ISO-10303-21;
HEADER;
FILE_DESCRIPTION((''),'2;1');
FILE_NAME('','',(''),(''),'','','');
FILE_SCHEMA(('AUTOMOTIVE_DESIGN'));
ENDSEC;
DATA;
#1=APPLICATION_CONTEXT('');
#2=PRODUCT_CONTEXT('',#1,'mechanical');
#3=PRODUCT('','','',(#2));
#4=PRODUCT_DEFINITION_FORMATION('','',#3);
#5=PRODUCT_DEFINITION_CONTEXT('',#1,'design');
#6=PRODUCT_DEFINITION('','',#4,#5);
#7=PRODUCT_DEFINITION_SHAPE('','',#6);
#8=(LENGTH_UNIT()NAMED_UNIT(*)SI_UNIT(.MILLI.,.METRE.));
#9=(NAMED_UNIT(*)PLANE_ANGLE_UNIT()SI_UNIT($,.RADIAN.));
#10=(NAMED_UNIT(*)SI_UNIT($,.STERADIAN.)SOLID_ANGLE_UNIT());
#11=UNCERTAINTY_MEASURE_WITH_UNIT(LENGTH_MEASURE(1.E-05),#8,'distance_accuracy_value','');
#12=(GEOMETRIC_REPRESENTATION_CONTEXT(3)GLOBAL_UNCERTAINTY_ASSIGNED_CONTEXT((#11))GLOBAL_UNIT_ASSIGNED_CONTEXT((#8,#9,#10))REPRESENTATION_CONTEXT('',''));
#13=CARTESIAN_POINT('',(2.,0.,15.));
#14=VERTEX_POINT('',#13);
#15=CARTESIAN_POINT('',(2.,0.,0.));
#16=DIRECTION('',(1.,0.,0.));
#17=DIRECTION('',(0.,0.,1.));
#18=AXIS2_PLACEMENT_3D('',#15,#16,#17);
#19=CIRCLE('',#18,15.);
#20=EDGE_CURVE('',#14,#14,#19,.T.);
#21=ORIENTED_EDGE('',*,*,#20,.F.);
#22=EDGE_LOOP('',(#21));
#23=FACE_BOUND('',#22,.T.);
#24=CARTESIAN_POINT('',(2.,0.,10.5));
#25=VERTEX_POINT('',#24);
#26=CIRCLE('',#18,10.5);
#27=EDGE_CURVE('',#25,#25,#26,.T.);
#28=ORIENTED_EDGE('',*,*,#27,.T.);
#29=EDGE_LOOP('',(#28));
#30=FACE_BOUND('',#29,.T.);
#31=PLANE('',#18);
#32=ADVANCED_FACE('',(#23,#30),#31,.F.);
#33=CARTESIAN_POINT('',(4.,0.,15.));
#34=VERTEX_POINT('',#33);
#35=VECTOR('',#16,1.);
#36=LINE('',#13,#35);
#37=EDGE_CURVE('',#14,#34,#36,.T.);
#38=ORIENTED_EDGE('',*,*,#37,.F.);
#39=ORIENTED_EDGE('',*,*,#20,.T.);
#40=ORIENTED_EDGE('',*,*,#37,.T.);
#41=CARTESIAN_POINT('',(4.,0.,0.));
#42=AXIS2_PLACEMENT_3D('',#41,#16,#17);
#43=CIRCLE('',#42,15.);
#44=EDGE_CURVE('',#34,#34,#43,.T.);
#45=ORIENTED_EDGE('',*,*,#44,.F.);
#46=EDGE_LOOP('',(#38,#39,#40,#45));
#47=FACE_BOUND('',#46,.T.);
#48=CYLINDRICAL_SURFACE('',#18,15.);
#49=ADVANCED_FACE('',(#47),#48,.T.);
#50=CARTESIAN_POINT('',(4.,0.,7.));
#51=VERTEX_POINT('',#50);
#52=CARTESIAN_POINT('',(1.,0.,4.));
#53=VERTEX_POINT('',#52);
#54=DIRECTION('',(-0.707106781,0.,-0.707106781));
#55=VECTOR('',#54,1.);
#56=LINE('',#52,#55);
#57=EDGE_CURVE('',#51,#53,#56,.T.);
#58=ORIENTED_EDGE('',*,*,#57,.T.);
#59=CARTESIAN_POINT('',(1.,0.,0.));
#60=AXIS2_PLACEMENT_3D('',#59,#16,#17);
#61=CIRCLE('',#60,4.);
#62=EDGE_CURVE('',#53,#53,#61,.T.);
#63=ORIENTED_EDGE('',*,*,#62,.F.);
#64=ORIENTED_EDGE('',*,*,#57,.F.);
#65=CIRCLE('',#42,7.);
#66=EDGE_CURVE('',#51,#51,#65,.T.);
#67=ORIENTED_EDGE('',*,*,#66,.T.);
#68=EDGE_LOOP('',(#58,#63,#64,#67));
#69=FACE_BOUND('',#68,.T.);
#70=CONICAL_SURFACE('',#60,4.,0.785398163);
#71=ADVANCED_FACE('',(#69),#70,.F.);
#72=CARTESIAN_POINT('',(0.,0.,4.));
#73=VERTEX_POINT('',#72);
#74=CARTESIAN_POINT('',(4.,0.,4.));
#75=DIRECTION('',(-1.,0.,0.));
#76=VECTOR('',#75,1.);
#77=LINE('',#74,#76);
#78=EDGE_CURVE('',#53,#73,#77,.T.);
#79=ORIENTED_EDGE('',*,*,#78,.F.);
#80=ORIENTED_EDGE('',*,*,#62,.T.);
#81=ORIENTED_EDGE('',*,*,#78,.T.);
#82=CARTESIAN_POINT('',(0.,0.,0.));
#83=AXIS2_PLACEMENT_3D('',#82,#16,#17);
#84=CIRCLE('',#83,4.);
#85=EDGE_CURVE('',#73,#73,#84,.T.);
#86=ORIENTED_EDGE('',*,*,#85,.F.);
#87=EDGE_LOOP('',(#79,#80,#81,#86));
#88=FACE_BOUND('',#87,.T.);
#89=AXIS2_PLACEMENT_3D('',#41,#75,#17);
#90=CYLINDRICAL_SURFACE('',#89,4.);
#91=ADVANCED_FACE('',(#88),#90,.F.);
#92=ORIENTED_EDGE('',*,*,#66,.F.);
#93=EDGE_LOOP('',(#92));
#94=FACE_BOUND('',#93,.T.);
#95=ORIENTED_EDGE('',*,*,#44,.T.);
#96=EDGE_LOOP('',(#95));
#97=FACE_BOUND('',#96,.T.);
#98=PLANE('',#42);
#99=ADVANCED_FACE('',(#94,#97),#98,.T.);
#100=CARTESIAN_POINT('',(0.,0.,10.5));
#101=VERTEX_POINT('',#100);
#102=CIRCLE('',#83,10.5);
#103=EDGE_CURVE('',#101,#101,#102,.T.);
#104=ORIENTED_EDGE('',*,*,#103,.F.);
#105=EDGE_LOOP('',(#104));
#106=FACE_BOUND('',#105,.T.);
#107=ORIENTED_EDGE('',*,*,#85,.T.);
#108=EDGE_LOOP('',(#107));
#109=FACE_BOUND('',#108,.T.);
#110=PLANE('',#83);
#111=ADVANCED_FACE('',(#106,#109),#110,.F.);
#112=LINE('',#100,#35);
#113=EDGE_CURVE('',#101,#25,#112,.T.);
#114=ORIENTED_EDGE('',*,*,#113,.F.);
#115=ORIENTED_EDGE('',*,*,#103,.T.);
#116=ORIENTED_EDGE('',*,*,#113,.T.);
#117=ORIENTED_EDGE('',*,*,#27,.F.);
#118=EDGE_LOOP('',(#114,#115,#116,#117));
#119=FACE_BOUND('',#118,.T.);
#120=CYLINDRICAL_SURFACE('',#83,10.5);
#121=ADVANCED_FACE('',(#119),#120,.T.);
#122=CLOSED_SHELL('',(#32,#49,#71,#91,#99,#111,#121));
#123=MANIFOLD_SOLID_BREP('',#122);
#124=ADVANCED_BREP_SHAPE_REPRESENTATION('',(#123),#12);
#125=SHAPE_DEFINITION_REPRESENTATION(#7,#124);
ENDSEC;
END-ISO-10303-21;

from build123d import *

# Parameters (mm, degrees)
CHAMFER_SIZE = 3


with BuildPart() as part:
    # Sketch → Revolution (revolve)
    with BuildSketch(Plane.XZ):
        Polygon((0, 4), (0, 10.5), (2, 10.5), (2, 15), (4, 15), (4, 4), align=None)
    revolve(axis=Axis((0, 0, 0), (1, 0, 0)))

    # Chamfer
    chamfer_edges = [part.edges().sort_by_distance(p)[0] for p in [
        (4, 0, -4),
    ]]
    chamfer(chamfer_edges, length=CHAMFER_SIZE)


solid = part.part
